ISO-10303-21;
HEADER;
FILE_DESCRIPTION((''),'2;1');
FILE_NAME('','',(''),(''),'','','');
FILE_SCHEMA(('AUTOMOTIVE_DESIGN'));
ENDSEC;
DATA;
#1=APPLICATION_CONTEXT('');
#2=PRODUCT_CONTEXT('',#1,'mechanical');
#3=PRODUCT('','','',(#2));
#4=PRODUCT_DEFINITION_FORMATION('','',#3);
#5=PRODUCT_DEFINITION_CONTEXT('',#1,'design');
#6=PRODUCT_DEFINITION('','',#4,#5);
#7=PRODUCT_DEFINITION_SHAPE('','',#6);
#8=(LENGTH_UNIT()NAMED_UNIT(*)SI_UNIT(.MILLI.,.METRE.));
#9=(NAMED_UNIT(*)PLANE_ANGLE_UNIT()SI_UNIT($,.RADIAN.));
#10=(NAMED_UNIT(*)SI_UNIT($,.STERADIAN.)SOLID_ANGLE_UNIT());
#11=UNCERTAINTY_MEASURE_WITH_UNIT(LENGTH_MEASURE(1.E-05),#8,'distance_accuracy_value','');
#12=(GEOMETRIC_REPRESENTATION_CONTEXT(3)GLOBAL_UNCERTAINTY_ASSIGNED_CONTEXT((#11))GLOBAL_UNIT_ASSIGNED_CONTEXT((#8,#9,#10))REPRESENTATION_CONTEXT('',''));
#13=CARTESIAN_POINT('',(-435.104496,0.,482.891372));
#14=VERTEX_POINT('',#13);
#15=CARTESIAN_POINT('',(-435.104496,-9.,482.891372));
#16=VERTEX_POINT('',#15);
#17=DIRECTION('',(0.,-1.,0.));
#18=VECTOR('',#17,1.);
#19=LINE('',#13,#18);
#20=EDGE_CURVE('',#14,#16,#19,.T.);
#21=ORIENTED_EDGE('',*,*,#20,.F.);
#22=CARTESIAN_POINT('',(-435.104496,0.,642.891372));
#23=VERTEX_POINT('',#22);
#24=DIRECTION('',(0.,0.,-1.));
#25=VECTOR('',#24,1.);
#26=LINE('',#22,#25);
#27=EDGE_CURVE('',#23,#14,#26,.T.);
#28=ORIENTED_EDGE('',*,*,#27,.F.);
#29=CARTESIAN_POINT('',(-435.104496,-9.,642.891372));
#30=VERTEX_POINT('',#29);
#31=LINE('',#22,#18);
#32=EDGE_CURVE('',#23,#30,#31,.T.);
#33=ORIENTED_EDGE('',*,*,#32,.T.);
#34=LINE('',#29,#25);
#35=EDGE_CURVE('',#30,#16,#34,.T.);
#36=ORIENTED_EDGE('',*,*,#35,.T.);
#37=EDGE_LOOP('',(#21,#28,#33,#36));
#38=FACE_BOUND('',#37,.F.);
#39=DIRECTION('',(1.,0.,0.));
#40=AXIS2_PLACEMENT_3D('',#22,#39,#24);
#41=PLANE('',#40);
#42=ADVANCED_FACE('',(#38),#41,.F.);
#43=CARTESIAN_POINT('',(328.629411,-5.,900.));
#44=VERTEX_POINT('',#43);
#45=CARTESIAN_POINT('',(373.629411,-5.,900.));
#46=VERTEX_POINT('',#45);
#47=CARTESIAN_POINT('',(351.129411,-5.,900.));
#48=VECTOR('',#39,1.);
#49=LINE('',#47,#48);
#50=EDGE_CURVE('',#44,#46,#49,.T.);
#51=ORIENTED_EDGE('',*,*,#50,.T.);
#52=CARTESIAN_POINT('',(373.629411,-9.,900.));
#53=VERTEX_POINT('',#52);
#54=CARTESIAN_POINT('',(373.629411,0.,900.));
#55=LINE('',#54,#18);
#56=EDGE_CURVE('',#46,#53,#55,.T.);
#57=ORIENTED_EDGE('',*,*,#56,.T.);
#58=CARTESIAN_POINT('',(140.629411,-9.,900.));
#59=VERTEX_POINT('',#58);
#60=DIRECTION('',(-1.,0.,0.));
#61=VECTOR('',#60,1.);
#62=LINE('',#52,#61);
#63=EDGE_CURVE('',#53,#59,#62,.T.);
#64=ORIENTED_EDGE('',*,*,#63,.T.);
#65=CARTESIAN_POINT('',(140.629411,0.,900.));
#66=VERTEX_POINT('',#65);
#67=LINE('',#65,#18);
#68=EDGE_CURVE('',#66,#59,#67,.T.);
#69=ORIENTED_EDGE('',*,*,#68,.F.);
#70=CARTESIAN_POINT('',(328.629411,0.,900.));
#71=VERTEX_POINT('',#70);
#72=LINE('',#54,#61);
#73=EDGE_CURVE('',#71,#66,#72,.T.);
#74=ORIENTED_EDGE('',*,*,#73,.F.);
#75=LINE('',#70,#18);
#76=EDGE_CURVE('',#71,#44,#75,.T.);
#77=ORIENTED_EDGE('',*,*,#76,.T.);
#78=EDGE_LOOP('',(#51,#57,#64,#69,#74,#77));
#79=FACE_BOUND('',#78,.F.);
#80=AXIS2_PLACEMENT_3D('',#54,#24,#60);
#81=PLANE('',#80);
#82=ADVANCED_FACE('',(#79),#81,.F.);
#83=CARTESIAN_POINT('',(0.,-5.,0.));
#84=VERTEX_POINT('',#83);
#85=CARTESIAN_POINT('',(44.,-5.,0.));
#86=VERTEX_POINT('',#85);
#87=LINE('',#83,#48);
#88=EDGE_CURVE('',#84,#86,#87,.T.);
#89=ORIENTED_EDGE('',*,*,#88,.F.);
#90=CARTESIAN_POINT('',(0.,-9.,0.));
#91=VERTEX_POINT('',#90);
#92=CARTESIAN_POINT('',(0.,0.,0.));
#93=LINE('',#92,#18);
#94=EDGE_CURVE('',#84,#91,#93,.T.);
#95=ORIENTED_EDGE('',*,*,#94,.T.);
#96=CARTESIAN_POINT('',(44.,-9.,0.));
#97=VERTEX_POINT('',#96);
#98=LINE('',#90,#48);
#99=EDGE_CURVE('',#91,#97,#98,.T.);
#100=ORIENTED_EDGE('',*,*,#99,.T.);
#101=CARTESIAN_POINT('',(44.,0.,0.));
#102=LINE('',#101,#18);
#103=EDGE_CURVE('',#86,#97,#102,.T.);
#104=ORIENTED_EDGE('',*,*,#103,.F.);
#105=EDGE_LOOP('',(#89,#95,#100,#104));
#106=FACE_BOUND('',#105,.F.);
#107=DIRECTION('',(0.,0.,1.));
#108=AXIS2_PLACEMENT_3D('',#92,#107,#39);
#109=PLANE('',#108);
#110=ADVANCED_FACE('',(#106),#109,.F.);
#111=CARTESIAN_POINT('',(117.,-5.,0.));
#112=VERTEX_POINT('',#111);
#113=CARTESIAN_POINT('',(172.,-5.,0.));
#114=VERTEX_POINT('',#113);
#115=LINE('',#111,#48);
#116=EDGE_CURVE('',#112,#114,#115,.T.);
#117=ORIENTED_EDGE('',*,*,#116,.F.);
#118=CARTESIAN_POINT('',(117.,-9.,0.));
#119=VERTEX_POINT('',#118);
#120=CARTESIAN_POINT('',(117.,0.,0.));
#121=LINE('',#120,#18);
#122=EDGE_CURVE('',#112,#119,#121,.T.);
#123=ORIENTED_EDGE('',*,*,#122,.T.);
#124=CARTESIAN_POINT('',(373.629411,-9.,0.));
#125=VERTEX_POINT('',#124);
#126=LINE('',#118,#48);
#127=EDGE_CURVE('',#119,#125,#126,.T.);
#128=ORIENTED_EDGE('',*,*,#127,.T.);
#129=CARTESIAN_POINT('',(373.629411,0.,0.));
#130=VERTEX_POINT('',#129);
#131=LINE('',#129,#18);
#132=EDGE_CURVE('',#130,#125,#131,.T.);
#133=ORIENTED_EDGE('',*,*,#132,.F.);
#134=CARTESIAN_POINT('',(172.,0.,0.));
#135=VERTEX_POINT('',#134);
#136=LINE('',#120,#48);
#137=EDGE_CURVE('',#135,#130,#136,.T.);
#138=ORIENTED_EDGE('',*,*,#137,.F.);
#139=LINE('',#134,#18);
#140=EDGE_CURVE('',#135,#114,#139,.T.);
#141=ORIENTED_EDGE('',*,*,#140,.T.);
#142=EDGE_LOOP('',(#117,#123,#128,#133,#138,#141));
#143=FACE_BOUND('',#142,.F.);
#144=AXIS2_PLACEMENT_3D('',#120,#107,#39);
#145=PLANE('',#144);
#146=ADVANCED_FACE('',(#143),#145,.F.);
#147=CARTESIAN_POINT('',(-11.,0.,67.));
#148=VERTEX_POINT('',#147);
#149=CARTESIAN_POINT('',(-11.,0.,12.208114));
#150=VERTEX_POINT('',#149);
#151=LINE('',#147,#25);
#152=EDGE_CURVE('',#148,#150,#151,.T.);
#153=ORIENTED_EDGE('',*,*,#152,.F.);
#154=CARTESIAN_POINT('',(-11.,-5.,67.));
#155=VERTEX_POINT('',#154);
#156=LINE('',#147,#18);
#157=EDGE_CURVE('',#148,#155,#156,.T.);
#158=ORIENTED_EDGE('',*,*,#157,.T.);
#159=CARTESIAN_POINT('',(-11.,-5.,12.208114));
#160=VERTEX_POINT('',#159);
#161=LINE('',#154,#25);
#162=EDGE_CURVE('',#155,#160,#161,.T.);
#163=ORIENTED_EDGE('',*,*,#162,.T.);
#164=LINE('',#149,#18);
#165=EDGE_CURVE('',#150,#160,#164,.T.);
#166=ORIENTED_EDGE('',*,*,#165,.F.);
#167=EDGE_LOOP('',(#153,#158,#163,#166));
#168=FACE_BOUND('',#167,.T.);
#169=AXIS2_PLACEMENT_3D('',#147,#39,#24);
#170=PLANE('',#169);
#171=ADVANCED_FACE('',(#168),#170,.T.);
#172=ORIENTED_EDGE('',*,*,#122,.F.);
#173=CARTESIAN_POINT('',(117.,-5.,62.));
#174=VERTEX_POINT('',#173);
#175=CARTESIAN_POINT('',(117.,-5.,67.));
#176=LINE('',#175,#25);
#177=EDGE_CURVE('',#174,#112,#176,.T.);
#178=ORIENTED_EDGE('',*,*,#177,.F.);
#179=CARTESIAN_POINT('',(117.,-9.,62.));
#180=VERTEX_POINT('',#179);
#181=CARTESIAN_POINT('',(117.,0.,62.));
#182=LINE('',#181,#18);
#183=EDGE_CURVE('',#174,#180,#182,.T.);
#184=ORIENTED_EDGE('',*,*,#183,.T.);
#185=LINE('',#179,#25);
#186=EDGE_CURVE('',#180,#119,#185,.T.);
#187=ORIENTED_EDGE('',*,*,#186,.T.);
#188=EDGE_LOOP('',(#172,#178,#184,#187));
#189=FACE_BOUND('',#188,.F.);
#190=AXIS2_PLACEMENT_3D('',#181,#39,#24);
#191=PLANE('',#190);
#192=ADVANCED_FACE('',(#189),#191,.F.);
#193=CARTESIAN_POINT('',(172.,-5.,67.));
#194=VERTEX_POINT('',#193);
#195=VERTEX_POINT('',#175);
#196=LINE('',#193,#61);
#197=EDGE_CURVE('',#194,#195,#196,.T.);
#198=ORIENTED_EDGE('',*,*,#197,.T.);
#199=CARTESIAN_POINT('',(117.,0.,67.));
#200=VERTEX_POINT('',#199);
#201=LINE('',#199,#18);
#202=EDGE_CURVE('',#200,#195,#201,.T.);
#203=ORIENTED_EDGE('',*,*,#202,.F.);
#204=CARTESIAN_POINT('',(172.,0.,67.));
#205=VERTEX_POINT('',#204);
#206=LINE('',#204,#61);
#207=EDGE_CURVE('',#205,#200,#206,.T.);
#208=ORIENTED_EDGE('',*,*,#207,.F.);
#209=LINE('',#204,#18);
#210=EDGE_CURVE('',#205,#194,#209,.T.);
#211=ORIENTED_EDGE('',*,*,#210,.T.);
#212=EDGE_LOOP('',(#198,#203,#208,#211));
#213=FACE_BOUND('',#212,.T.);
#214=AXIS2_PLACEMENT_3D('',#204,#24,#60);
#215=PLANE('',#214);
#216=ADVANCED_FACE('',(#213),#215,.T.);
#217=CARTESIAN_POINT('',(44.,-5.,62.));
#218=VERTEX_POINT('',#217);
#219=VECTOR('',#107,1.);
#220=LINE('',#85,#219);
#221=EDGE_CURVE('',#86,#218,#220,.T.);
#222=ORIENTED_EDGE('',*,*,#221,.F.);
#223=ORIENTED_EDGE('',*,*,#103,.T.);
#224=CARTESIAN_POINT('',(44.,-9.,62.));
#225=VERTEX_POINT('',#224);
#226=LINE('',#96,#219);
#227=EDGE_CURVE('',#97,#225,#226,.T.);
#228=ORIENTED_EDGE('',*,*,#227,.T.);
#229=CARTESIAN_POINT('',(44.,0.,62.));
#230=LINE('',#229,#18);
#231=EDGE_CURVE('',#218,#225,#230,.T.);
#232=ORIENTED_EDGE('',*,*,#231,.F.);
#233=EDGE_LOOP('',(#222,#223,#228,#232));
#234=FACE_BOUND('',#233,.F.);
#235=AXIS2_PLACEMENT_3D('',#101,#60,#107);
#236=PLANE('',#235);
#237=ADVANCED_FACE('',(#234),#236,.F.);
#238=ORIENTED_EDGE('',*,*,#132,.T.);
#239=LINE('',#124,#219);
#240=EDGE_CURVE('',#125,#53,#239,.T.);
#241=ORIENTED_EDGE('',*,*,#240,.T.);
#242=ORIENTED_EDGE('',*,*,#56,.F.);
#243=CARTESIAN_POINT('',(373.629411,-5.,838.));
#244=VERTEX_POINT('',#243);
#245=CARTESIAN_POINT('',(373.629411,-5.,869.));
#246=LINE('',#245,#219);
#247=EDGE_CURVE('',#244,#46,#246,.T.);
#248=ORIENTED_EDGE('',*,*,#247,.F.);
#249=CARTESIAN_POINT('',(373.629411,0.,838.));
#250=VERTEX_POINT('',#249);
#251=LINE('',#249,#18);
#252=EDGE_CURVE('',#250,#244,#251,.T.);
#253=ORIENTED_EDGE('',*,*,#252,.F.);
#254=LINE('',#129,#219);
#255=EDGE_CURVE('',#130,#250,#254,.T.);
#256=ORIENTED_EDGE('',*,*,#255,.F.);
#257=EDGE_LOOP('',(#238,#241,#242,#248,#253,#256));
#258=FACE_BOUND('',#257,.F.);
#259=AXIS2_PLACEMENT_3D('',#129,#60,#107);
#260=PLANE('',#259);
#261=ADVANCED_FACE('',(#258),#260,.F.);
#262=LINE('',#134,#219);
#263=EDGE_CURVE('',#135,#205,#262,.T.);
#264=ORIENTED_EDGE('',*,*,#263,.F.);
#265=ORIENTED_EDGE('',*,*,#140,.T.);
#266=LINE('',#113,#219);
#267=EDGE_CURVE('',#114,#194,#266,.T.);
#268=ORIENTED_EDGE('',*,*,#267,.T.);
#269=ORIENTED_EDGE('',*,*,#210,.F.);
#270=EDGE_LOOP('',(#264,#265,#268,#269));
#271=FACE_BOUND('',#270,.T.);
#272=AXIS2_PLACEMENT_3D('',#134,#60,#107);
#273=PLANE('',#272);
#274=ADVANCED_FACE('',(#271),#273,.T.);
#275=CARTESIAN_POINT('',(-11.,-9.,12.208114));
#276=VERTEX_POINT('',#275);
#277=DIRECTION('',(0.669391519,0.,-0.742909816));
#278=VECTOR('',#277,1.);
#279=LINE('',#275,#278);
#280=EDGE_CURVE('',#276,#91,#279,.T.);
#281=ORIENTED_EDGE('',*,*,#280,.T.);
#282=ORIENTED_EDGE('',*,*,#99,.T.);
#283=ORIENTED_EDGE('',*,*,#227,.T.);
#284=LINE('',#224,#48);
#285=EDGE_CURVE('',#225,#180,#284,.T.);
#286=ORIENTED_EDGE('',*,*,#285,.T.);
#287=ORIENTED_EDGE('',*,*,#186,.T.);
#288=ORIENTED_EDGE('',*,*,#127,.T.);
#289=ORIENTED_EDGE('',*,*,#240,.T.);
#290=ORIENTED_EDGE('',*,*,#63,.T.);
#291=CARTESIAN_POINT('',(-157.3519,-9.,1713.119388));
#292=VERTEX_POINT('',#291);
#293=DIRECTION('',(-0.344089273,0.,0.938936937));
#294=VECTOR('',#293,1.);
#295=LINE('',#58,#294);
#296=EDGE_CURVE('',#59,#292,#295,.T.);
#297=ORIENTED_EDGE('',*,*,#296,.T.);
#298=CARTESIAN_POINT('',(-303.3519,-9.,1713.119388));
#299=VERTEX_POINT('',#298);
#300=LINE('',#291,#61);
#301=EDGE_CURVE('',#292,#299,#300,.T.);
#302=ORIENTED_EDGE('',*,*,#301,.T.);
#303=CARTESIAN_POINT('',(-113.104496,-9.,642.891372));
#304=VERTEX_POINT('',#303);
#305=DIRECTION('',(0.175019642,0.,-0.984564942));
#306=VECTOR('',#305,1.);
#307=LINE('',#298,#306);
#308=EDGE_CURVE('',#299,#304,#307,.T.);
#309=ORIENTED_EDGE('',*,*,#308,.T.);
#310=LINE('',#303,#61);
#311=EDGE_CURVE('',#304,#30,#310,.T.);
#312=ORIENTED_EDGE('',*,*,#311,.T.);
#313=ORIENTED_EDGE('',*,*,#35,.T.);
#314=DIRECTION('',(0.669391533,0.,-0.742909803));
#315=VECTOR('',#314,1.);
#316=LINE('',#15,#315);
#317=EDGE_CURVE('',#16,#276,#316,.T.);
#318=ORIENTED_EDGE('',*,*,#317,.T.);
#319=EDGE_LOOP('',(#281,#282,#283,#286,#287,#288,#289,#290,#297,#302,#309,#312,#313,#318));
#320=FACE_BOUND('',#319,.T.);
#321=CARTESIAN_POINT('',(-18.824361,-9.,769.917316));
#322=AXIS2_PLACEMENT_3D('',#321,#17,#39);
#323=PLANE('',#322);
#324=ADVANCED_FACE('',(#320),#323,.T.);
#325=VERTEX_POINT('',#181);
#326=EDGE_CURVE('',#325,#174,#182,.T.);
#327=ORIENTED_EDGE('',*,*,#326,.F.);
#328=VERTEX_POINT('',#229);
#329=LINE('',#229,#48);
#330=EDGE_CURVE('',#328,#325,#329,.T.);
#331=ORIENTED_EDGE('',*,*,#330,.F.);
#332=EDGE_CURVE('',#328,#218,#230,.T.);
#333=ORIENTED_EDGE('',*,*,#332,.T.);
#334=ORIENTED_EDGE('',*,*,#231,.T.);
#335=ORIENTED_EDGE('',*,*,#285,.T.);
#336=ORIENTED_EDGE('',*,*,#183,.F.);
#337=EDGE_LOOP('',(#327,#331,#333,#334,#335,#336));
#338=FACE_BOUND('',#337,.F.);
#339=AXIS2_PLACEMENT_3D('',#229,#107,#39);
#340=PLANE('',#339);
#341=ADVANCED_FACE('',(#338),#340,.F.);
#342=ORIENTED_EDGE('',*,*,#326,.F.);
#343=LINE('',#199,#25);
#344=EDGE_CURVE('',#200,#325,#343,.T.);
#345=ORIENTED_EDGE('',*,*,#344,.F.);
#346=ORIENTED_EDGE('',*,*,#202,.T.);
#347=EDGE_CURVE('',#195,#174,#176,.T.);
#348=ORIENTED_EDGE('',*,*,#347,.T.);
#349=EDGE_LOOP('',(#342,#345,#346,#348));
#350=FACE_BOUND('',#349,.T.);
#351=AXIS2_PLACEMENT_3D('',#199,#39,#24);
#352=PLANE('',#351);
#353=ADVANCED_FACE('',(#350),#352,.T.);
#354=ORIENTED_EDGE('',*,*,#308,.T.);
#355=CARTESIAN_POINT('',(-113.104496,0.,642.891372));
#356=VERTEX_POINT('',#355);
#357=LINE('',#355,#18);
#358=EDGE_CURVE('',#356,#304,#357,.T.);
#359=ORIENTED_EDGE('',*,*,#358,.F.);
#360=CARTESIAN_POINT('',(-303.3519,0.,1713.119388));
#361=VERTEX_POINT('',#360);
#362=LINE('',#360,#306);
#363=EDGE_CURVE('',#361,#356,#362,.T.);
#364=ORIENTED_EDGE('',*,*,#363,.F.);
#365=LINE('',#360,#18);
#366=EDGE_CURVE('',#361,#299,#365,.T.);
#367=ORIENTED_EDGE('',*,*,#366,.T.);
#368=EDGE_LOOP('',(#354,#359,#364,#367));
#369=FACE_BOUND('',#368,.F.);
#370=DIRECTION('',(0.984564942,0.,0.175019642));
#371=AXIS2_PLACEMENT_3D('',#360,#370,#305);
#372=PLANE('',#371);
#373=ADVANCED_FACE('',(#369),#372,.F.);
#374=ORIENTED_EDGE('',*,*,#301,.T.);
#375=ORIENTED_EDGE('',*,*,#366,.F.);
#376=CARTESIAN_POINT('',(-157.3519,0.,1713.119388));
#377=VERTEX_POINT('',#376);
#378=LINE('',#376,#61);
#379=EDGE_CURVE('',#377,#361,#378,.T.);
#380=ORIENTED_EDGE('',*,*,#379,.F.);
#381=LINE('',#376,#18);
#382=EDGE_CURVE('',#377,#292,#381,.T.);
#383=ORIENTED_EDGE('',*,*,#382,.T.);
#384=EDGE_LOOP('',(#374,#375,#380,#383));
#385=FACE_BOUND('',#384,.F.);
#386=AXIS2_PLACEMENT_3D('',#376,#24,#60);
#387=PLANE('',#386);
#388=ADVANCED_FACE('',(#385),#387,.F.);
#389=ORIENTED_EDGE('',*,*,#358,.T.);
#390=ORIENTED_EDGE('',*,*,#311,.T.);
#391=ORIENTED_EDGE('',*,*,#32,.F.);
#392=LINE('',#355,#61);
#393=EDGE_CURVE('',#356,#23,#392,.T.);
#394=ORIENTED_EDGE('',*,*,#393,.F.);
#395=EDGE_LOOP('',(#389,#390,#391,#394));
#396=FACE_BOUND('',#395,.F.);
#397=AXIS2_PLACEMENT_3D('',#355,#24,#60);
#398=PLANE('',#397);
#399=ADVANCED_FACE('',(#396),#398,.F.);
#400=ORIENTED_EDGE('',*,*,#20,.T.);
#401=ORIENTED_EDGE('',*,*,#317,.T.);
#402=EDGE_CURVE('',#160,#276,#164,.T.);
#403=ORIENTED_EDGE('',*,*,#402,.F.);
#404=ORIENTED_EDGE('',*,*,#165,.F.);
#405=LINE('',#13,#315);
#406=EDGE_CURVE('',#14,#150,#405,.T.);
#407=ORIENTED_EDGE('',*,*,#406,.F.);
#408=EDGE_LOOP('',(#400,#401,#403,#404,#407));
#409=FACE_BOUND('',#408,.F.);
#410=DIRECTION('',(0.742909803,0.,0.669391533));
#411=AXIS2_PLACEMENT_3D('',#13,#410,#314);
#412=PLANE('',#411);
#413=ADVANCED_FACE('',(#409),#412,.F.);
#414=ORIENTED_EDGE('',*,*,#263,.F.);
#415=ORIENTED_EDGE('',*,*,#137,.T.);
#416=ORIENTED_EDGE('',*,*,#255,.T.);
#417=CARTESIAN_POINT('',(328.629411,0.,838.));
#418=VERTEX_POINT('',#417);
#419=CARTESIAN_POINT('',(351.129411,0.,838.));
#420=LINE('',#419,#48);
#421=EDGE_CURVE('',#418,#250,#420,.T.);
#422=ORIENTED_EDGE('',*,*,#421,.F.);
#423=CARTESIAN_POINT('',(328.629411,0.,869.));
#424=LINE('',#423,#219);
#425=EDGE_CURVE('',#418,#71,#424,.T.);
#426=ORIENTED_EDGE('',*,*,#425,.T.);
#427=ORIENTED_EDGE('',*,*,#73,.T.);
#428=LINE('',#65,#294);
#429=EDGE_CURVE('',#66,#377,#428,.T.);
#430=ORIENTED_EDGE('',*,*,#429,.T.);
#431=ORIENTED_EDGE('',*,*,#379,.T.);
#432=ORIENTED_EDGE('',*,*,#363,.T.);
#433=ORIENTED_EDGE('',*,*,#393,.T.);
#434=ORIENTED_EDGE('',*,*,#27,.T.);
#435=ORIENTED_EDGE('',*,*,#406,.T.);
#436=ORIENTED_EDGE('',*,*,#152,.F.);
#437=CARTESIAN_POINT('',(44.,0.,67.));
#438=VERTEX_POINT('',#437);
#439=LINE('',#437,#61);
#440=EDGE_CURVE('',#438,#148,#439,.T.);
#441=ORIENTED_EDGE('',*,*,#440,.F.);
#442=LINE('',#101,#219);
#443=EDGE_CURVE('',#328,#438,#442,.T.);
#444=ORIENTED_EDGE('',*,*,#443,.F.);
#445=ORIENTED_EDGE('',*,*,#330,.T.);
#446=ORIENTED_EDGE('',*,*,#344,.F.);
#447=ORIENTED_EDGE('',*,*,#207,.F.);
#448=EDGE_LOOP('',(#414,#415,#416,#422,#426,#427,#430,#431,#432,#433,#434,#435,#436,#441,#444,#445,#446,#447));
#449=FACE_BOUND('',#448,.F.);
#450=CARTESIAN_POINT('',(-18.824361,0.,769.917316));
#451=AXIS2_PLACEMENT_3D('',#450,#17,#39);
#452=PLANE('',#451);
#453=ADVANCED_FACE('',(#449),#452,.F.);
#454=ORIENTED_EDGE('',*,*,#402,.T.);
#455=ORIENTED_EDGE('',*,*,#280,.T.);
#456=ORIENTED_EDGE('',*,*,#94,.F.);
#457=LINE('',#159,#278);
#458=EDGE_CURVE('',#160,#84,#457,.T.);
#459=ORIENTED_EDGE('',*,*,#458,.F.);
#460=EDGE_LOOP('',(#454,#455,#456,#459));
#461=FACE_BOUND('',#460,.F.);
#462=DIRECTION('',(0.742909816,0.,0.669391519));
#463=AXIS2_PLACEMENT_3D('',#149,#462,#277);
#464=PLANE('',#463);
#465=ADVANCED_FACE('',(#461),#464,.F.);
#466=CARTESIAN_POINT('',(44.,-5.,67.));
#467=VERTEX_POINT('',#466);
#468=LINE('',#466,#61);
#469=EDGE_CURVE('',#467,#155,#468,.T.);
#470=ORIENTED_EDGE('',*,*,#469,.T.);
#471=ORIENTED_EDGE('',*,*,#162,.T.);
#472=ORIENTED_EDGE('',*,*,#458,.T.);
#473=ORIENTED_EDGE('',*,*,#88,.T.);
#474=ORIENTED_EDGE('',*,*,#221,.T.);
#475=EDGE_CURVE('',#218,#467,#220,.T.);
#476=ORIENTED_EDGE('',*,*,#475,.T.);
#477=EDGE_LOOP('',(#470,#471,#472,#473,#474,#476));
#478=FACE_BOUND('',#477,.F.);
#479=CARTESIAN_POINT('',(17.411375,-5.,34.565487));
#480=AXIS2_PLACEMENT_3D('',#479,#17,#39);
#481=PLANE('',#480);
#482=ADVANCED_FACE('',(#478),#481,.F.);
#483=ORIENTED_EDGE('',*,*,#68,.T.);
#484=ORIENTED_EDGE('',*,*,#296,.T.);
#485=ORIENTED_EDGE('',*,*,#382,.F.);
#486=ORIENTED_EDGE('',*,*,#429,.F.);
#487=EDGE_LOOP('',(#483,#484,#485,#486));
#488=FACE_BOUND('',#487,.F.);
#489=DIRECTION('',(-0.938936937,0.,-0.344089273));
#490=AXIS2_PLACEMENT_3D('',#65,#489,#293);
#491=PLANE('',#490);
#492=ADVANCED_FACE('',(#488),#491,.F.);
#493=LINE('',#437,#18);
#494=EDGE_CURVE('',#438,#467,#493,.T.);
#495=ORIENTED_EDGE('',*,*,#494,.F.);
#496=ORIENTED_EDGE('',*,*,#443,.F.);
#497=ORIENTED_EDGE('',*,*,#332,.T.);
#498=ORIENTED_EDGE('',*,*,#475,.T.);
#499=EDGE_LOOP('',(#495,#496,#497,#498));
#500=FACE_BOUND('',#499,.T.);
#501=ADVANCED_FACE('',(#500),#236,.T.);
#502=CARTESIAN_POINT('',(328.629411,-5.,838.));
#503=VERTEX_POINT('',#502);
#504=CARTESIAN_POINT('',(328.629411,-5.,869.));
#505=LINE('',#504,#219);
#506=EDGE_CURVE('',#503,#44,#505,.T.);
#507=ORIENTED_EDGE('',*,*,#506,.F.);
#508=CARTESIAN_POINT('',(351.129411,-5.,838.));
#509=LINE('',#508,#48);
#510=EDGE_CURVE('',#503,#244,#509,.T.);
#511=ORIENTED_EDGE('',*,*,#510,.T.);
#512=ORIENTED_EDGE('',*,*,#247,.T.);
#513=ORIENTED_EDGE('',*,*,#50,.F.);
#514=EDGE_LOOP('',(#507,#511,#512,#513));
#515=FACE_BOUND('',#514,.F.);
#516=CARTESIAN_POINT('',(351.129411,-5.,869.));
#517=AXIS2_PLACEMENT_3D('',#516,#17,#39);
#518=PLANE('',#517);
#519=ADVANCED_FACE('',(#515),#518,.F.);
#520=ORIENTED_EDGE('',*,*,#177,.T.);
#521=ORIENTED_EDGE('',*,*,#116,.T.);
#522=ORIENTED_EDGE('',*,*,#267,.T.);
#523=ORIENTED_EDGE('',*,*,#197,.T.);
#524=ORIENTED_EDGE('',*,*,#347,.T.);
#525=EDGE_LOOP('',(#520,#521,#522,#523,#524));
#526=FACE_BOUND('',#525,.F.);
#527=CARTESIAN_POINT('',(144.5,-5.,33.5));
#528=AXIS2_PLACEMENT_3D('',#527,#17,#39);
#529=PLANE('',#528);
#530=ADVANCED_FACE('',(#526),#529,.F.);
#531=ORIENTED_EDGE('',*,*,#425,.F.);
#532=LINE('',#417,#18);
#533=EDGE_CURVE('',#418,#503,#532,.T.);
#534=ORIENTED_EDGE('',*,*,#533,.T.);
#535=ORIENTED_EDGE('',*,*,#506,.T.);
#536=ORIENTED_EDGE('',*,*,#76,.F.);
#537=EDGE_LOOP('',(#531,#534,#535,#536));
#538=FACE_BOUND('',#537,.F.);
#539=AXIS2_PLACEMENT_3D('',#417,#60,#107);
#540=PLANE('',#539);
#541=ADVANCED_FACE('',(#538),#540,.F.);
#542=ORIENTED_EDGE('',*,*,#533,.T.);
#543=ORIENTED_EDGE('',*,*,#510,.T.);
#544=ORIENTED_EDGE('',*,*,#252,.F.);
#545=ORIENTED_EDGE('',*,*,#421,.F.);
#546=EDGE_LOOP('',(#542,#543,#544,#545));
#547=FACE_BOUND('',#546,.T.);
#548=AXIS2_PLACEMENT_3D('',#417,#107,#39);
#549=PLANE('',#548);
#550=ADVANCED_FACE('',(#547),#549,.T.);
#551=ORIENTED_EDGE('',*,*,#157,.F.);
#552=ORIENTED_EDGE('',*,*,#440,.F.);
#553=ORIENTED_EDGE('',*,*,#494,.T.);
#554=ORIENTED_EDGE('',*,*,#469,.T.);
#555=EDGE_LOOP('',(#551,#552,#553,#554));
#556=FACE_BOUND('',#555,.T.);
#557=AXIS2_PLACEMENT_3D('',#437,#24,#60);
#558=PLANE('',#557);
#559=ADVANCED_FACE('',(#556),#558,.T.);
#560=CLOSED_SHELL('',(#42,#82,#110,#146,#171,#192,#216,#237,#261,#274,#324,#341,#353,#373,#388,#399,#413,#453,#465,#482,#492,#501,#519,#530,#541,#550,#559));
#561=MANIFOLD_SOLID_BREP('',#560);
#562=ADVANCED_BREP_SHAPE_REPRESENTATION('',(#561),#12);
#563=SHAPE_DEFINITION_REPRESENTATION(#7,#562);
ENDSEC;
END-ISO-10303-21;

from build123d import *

# Parameters (mm, degrees)
F0_W     = 45
F0_H     = 62
F1_DEPTH = 9
F2_DEPTH = 5


with BuildPart() as f1:
    # F0 (on Front) → F1 (new body)
    with BuildSketch(Plane.XZ):
        Polygon((-435.104496, 482.891372), (-11, 12.208114), (-11, 67), (44, 67), (44, 62), (117, 62), (117, 67), (172, 67), (172, 0), (373.629411, 0), (373.629411, 838), (328.629411, 838), (328.629411, 900), (140.629411, 900), (-157.3519, 1713.119388), (-303.3519, 1713.119388), (-113.104496, 642.891372), (-435.104496, 642.891372), align=None)
        Polygon((-11, 12.208114), (0, 0), (44, 0), (44, 62), (44, 67), (-11, 67), align=None)
        Polygon((117, 67), (117, 62), (117, 0), (172, 0), (172, 67), align=None)
        with Locations((351.129411, 869)):
            Rectangle(F0_W, F0_H)
    extrude(amount=F1_DEPTH)

    # F0 (on Front) → F2 (cut)
    with BuildSketch(Plane.XZ):
        with Locations((351.129411, 869)):
            Rectangle(F0_W, F0_H)
        Polygon((-11, 12.208114), (0, 0), (44, 0), (44, 62), (44, 67), (-11, 67), align=None)
        Polygon((117, 67), (117, 62), (117, 0), (172, 0), (172, 67), align=None)
    extrude(amount=F2_DEPTH, mode=Mode.SUBTRACT)


solid = f1.part
